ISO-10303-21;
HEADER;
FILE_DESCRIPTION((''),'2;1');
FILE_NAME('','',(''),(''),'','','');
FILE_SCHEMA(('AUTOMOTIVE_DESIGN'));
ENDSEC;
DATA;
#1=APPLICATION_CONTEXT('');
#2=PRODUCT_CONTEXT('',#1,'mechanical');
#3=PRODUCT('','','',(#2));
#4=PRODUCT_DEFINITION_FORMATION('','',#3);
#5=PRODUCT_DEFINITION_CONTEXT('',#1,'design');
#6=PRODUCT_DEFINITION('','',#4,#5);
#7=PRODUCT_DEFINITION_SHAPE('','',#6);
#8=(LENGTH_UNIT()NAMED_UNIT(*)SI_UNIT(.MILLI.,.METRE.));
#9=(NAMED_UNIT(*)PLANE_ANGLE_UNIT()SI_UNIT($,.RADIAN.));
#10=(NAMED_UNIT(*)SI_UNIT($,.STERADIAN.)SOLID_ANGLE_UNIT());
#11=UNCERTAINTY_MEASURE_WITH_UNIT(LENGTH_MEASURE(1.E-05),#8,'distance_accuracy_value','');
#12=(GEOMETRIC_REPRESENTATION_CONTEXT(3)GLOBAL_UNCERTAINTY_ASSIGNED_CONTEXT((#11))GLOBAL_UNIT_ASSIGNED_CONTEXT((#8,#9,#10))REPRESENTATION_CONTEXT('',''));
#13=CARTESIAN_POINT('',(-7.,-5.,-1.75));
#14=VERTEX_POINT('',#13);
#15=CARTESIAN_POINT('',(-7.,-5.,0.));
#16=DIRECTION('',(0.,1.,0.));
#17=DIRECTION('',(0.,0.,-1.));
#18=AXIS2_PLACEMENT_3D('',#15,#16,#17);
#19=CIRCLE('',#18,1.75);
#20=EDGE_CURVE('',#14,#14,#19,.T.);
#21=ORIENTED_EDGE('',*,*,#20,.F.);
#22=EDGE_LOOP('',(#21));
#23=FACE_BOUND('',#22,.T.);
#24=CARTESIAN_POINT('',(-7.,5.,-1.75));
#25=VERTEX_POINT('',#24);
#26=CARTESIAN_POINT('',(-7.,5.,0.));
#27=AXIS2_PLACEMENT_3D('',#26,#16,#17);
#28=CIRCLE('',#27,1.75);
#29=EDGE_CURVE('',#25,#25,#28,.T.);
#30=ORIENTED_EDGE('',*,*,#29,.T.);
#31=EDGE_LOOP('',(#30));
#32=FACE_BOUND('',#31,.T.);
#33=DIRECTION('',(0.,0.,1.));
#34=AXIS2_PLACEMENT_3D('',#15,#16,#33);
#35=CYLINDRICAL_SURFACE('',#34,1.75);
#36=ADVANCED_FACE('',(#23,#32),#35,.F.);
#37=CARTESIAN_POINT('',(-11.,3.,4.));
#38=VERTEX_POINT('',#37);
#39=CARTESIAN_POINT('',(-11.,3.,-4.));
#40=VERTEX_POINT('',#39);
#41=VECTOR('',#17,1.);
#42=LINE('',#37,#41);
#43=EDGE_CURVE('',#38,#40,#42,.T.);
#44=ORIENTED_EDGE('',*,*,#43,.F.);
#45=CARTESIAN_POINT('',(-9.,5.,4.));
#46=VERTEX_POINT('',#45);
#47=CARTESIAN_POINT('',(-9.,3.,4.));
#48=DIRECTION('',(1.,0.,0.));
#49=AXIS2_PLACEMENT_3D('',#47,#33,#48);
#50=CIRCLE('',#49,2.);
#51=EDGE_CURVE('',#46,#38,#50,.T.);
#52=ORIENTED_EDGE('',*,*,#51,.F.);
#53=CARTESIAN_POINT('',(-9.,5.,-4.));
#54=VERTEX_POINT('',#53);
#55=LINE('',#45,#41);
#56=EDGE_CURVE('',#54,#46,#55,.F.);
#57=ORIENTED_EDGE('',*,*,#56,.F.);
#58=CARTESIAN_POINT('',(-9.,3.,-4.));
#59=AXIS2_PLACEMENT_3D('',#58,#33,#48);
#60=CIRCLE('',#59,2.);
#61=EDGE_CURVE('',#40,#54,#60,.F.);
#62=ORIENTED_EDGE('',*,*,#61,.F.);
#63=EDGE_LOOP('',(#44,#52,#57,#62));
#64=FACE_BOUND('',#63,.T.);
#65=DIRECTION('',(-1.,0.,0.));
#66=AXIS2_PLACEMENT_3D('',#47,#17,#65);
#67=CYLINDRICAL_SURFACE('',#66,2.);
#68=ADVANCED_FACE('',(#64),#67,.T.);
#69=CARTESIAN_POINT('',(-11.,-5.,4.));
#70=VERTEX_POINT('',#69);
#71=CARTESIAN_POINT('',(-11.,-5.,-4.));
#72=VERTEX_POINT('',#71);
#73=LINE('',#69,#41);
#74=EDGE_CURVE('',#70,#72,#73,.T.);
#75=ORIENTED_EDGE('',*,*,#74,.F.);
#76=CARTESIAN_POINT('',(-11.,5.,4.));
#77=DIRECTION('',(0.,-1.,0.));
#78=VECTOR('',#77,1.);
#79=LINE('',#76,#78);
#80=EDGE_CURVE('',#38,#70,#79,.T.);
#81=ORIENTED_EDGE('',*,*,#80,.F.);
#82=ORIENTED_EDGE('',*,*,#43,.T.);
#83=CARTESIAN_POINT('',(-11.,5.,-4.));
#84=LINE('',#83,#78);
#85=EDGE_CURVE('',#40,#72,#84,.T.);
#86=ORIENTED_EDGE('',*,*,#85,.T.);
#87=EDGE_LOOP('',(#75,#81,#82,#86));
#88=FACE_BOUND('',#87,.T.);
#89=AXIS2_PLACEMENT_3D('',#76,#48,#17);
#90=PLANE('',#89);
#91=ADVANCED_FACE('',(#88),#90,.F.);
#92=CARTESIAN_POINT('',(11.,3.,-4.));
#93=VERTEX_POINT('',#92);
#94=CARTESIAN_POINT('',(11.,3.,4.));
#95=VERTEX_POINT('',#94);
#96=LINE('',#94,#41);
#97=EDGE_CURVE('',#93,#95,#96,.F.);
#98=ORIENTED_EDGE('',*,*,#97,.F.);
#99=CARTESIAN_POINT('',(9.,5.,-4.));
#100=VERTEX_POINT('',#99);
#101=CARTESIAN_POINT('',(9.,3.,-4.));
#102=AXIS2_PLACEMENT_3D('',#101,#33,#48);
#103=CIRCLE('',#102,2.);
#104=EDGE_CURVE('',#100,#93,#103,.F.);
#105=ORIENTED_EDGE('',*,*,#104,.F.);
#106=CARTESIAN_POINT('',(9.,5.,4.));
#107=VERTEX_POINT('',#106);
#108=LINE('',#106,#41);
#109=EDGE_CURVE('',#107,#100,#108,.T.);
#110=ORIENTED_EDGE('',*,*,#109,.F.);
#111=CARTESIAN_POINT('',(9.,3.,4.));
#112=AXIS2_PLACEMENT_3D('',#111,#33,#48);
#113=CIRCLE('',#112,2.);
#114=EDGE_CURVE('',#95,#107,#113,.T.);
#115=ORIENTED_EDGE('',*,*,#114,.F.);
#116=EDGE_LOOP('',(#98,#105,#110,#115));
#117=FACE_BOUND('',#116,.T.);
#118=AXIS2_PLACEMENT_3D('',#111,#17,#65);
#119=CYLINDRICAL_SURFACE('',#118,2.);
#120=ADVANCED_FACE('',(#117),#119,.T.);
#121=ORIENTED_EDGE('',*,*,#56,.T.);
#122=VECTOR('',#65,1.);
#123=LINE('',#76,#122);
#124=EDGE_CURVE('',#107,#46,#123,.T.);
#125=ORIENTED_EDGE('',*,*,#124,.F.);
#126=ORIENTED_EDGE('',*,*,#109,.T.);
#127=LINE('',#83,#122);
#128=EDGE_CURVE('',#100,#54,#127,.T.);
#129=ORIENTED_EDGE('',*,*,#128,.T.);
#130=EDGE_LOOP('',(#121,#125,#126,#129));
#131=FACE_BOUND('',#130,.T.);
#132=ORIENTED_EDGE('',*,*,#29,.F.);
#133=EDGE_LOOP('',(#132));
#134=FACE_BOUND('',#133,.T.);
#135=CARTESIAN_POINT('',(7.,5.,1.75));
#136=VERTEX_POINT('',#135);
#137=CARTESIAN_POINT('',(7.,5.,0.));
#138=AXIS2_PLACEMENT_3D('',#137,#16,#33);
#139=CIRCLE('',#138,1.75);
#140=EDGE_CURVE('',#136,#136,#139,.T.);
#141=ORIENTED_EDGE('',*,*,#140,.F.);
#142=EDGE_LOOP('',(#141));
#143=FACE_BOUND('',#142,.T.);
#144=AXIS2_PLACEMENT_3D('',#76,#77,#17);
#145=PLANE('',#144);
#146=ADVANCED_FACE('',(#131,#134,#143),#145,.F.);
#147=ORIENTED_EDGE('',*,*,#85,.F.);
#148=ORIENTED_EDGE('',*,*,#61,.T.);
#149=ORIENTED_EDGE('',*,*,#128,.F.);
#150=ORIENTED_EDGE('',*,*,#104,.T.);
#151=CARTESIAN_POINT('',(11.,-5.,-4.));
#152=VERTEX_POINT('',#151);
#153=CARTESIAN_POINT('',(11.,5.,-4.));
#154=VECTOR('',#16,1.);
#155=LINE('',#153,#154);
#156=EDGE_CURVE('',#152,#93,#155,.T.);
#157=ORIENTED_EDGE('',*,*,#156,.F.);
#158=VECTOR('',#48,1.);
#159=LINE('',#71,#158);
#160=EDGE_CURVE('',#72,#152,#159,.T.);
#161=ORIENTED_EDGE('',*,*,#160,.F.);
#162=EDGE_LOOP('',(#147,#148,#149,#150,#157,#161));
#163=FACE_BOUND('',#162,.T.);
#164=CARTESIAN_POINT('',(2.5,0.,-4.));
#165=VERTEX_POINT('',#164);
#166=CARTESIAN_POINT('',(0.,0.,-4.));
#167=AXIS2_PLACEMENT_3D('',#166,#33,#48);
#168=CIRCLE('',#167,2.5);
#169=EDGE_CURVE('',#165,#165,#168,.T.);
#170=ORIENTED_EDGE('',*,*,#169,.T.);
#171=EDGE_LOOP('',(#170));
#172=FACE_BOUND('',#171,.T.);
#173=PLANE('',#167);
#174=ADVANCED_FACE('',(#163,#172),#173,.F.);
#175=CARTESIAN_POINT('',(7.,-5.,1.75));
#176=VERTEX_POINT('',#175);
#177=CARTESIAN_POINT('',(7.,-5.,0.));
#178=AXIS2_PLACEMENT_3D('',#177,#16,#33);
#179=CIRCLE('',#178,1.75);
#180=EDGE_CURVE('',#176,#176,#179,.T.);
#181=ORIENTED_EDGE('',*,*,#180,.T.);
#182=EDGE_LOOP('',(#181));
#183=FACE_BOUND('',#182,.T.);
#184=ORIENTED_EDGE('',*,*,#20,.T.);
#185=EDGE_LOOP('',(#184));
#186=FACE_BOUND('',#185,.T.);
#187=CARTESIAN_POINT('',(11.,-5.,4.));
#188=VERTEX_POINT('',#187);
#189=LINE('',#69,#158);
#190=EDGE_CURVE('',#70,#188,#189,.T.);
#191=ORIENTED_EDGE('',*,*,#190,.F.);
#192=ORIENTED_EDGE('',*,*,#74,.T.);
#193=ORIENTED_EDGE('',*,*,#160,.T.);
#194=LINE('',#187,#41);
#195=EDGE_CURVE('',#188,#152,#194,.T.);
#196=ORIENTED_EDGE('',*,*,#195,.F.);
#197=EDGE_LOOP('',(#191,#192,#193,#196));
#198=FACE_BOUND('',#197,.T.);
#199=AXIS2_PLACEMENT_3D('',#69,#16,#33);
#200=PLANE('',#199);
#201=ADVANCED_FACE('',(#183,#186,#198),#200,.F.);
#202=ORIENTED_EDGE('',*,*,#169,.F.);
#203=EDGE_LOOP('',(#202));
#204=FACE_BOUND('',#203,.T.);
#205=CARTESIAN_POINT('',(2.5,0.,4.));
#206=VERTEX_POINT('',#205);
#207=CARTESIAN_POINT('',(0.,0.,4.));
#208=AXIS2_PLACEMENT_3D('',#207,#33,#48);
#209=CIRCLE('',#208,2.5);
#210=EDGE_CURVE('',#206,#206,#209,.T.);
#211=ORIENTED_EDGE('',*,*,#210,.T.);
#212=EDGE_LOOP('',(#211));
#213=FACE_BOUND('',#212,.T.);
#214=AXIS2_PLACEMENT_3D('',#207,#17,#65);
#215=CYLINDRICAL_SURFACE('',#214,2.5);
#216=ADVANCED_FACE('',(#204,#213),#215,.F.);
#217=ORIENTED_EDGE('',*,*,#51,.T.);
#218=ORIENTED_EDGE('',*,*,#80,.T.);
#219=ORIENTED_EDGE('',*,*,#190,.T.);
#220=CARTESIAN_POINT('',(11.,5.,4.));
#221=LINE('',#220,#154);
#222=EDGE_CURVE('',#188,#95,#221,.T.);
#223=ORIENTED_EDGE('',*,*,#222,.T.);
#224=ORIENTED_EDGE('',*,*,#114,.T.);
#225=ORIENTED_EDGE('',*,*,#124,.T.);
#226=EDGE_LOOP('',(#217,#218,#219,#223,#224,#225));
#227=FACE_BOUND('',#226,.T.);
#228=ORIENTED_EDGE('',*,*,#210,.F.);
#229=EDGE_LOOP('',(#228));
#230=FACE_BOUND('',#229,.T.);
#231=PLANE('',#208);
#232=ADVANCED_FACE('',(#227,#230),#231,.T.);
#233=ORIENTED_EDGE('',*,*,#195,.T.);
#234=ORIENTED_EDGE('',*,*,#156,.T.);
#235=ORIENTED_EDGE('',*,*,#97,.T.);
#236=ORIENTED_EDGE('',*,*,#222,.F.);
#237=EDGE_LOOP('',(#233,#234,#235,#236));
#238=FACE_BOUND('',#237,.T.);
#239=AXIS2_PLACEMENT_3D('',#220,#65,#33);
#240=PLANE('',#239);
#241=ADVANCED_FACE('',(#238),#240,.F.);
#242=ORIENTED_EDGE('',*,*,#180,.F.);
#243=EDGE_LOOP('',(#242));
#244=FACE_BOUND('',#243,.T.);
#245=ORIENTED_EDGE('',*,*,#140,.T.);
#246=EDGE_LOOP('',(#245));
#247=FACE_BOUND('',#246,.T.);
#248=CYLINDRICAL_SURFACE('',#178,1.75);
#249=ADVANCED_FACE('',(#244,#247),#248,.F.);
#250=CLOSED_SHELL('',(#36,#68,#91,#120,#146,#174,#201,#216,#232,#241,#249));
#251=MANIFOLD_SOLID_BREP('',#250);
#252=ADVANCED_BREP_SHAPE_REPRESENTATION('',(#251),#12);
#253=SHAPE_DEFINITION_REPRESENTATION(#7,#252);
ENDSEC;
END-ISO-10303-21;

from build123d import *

# Parameters (mm, degrees)
SKETCH_1_W          = 22
SKETCH_1_H          = 10
SKETCH_1_R          = 2.5
EXTRUDE_1_DEPTH     = 4
SKETCH_3_R          = 1.75
CUT_EXTRUDE_1_DEPTH = 11
FILLET_1_R          = 2


with BuildPart() as part:
    # ｽｹｯﾁ1 → ﾎﾞｽ - 押し出し1 (new body, symmetric)
    with BuildSketch(Plane.XY):
        Rectangle(SKETCH_1_W, SKETCH_1_H)
        Circle(SKETCH_1_R, mode=Mode.SUBTRACT)
    extrude(amount=EXTRUDE_1_DEPTH, both=True)

    # ｽｹｯﾁ3 → ｶｯﾄ - 押し出し1 (cut, through all)
    with BuildSketch(Plane(origin=(0, 5, 0), x_dir=(1, 0, 0), z_dir=(0, 1, 0))):
        with Locations((7, 0)):
            Circle(SKETCH_3_R)
        with Locations((-7, 0)):
            Circle(SKETCH_3_R)
    extrude(amount=-CUT_EXTRUDE_1_DEPTH, mode=Mode.SUBTRACT)

    # ﾌｨﾚｯﾄ1
    fillet_1_edges = [part.edges().sort_by_distance(p)[0] for p in [
        (-11, 5, 0),
        (11, 5, 0),
    ]]
    fillet(fillet_1_edges, radius=FILLET_1_R)


solid = part.part
